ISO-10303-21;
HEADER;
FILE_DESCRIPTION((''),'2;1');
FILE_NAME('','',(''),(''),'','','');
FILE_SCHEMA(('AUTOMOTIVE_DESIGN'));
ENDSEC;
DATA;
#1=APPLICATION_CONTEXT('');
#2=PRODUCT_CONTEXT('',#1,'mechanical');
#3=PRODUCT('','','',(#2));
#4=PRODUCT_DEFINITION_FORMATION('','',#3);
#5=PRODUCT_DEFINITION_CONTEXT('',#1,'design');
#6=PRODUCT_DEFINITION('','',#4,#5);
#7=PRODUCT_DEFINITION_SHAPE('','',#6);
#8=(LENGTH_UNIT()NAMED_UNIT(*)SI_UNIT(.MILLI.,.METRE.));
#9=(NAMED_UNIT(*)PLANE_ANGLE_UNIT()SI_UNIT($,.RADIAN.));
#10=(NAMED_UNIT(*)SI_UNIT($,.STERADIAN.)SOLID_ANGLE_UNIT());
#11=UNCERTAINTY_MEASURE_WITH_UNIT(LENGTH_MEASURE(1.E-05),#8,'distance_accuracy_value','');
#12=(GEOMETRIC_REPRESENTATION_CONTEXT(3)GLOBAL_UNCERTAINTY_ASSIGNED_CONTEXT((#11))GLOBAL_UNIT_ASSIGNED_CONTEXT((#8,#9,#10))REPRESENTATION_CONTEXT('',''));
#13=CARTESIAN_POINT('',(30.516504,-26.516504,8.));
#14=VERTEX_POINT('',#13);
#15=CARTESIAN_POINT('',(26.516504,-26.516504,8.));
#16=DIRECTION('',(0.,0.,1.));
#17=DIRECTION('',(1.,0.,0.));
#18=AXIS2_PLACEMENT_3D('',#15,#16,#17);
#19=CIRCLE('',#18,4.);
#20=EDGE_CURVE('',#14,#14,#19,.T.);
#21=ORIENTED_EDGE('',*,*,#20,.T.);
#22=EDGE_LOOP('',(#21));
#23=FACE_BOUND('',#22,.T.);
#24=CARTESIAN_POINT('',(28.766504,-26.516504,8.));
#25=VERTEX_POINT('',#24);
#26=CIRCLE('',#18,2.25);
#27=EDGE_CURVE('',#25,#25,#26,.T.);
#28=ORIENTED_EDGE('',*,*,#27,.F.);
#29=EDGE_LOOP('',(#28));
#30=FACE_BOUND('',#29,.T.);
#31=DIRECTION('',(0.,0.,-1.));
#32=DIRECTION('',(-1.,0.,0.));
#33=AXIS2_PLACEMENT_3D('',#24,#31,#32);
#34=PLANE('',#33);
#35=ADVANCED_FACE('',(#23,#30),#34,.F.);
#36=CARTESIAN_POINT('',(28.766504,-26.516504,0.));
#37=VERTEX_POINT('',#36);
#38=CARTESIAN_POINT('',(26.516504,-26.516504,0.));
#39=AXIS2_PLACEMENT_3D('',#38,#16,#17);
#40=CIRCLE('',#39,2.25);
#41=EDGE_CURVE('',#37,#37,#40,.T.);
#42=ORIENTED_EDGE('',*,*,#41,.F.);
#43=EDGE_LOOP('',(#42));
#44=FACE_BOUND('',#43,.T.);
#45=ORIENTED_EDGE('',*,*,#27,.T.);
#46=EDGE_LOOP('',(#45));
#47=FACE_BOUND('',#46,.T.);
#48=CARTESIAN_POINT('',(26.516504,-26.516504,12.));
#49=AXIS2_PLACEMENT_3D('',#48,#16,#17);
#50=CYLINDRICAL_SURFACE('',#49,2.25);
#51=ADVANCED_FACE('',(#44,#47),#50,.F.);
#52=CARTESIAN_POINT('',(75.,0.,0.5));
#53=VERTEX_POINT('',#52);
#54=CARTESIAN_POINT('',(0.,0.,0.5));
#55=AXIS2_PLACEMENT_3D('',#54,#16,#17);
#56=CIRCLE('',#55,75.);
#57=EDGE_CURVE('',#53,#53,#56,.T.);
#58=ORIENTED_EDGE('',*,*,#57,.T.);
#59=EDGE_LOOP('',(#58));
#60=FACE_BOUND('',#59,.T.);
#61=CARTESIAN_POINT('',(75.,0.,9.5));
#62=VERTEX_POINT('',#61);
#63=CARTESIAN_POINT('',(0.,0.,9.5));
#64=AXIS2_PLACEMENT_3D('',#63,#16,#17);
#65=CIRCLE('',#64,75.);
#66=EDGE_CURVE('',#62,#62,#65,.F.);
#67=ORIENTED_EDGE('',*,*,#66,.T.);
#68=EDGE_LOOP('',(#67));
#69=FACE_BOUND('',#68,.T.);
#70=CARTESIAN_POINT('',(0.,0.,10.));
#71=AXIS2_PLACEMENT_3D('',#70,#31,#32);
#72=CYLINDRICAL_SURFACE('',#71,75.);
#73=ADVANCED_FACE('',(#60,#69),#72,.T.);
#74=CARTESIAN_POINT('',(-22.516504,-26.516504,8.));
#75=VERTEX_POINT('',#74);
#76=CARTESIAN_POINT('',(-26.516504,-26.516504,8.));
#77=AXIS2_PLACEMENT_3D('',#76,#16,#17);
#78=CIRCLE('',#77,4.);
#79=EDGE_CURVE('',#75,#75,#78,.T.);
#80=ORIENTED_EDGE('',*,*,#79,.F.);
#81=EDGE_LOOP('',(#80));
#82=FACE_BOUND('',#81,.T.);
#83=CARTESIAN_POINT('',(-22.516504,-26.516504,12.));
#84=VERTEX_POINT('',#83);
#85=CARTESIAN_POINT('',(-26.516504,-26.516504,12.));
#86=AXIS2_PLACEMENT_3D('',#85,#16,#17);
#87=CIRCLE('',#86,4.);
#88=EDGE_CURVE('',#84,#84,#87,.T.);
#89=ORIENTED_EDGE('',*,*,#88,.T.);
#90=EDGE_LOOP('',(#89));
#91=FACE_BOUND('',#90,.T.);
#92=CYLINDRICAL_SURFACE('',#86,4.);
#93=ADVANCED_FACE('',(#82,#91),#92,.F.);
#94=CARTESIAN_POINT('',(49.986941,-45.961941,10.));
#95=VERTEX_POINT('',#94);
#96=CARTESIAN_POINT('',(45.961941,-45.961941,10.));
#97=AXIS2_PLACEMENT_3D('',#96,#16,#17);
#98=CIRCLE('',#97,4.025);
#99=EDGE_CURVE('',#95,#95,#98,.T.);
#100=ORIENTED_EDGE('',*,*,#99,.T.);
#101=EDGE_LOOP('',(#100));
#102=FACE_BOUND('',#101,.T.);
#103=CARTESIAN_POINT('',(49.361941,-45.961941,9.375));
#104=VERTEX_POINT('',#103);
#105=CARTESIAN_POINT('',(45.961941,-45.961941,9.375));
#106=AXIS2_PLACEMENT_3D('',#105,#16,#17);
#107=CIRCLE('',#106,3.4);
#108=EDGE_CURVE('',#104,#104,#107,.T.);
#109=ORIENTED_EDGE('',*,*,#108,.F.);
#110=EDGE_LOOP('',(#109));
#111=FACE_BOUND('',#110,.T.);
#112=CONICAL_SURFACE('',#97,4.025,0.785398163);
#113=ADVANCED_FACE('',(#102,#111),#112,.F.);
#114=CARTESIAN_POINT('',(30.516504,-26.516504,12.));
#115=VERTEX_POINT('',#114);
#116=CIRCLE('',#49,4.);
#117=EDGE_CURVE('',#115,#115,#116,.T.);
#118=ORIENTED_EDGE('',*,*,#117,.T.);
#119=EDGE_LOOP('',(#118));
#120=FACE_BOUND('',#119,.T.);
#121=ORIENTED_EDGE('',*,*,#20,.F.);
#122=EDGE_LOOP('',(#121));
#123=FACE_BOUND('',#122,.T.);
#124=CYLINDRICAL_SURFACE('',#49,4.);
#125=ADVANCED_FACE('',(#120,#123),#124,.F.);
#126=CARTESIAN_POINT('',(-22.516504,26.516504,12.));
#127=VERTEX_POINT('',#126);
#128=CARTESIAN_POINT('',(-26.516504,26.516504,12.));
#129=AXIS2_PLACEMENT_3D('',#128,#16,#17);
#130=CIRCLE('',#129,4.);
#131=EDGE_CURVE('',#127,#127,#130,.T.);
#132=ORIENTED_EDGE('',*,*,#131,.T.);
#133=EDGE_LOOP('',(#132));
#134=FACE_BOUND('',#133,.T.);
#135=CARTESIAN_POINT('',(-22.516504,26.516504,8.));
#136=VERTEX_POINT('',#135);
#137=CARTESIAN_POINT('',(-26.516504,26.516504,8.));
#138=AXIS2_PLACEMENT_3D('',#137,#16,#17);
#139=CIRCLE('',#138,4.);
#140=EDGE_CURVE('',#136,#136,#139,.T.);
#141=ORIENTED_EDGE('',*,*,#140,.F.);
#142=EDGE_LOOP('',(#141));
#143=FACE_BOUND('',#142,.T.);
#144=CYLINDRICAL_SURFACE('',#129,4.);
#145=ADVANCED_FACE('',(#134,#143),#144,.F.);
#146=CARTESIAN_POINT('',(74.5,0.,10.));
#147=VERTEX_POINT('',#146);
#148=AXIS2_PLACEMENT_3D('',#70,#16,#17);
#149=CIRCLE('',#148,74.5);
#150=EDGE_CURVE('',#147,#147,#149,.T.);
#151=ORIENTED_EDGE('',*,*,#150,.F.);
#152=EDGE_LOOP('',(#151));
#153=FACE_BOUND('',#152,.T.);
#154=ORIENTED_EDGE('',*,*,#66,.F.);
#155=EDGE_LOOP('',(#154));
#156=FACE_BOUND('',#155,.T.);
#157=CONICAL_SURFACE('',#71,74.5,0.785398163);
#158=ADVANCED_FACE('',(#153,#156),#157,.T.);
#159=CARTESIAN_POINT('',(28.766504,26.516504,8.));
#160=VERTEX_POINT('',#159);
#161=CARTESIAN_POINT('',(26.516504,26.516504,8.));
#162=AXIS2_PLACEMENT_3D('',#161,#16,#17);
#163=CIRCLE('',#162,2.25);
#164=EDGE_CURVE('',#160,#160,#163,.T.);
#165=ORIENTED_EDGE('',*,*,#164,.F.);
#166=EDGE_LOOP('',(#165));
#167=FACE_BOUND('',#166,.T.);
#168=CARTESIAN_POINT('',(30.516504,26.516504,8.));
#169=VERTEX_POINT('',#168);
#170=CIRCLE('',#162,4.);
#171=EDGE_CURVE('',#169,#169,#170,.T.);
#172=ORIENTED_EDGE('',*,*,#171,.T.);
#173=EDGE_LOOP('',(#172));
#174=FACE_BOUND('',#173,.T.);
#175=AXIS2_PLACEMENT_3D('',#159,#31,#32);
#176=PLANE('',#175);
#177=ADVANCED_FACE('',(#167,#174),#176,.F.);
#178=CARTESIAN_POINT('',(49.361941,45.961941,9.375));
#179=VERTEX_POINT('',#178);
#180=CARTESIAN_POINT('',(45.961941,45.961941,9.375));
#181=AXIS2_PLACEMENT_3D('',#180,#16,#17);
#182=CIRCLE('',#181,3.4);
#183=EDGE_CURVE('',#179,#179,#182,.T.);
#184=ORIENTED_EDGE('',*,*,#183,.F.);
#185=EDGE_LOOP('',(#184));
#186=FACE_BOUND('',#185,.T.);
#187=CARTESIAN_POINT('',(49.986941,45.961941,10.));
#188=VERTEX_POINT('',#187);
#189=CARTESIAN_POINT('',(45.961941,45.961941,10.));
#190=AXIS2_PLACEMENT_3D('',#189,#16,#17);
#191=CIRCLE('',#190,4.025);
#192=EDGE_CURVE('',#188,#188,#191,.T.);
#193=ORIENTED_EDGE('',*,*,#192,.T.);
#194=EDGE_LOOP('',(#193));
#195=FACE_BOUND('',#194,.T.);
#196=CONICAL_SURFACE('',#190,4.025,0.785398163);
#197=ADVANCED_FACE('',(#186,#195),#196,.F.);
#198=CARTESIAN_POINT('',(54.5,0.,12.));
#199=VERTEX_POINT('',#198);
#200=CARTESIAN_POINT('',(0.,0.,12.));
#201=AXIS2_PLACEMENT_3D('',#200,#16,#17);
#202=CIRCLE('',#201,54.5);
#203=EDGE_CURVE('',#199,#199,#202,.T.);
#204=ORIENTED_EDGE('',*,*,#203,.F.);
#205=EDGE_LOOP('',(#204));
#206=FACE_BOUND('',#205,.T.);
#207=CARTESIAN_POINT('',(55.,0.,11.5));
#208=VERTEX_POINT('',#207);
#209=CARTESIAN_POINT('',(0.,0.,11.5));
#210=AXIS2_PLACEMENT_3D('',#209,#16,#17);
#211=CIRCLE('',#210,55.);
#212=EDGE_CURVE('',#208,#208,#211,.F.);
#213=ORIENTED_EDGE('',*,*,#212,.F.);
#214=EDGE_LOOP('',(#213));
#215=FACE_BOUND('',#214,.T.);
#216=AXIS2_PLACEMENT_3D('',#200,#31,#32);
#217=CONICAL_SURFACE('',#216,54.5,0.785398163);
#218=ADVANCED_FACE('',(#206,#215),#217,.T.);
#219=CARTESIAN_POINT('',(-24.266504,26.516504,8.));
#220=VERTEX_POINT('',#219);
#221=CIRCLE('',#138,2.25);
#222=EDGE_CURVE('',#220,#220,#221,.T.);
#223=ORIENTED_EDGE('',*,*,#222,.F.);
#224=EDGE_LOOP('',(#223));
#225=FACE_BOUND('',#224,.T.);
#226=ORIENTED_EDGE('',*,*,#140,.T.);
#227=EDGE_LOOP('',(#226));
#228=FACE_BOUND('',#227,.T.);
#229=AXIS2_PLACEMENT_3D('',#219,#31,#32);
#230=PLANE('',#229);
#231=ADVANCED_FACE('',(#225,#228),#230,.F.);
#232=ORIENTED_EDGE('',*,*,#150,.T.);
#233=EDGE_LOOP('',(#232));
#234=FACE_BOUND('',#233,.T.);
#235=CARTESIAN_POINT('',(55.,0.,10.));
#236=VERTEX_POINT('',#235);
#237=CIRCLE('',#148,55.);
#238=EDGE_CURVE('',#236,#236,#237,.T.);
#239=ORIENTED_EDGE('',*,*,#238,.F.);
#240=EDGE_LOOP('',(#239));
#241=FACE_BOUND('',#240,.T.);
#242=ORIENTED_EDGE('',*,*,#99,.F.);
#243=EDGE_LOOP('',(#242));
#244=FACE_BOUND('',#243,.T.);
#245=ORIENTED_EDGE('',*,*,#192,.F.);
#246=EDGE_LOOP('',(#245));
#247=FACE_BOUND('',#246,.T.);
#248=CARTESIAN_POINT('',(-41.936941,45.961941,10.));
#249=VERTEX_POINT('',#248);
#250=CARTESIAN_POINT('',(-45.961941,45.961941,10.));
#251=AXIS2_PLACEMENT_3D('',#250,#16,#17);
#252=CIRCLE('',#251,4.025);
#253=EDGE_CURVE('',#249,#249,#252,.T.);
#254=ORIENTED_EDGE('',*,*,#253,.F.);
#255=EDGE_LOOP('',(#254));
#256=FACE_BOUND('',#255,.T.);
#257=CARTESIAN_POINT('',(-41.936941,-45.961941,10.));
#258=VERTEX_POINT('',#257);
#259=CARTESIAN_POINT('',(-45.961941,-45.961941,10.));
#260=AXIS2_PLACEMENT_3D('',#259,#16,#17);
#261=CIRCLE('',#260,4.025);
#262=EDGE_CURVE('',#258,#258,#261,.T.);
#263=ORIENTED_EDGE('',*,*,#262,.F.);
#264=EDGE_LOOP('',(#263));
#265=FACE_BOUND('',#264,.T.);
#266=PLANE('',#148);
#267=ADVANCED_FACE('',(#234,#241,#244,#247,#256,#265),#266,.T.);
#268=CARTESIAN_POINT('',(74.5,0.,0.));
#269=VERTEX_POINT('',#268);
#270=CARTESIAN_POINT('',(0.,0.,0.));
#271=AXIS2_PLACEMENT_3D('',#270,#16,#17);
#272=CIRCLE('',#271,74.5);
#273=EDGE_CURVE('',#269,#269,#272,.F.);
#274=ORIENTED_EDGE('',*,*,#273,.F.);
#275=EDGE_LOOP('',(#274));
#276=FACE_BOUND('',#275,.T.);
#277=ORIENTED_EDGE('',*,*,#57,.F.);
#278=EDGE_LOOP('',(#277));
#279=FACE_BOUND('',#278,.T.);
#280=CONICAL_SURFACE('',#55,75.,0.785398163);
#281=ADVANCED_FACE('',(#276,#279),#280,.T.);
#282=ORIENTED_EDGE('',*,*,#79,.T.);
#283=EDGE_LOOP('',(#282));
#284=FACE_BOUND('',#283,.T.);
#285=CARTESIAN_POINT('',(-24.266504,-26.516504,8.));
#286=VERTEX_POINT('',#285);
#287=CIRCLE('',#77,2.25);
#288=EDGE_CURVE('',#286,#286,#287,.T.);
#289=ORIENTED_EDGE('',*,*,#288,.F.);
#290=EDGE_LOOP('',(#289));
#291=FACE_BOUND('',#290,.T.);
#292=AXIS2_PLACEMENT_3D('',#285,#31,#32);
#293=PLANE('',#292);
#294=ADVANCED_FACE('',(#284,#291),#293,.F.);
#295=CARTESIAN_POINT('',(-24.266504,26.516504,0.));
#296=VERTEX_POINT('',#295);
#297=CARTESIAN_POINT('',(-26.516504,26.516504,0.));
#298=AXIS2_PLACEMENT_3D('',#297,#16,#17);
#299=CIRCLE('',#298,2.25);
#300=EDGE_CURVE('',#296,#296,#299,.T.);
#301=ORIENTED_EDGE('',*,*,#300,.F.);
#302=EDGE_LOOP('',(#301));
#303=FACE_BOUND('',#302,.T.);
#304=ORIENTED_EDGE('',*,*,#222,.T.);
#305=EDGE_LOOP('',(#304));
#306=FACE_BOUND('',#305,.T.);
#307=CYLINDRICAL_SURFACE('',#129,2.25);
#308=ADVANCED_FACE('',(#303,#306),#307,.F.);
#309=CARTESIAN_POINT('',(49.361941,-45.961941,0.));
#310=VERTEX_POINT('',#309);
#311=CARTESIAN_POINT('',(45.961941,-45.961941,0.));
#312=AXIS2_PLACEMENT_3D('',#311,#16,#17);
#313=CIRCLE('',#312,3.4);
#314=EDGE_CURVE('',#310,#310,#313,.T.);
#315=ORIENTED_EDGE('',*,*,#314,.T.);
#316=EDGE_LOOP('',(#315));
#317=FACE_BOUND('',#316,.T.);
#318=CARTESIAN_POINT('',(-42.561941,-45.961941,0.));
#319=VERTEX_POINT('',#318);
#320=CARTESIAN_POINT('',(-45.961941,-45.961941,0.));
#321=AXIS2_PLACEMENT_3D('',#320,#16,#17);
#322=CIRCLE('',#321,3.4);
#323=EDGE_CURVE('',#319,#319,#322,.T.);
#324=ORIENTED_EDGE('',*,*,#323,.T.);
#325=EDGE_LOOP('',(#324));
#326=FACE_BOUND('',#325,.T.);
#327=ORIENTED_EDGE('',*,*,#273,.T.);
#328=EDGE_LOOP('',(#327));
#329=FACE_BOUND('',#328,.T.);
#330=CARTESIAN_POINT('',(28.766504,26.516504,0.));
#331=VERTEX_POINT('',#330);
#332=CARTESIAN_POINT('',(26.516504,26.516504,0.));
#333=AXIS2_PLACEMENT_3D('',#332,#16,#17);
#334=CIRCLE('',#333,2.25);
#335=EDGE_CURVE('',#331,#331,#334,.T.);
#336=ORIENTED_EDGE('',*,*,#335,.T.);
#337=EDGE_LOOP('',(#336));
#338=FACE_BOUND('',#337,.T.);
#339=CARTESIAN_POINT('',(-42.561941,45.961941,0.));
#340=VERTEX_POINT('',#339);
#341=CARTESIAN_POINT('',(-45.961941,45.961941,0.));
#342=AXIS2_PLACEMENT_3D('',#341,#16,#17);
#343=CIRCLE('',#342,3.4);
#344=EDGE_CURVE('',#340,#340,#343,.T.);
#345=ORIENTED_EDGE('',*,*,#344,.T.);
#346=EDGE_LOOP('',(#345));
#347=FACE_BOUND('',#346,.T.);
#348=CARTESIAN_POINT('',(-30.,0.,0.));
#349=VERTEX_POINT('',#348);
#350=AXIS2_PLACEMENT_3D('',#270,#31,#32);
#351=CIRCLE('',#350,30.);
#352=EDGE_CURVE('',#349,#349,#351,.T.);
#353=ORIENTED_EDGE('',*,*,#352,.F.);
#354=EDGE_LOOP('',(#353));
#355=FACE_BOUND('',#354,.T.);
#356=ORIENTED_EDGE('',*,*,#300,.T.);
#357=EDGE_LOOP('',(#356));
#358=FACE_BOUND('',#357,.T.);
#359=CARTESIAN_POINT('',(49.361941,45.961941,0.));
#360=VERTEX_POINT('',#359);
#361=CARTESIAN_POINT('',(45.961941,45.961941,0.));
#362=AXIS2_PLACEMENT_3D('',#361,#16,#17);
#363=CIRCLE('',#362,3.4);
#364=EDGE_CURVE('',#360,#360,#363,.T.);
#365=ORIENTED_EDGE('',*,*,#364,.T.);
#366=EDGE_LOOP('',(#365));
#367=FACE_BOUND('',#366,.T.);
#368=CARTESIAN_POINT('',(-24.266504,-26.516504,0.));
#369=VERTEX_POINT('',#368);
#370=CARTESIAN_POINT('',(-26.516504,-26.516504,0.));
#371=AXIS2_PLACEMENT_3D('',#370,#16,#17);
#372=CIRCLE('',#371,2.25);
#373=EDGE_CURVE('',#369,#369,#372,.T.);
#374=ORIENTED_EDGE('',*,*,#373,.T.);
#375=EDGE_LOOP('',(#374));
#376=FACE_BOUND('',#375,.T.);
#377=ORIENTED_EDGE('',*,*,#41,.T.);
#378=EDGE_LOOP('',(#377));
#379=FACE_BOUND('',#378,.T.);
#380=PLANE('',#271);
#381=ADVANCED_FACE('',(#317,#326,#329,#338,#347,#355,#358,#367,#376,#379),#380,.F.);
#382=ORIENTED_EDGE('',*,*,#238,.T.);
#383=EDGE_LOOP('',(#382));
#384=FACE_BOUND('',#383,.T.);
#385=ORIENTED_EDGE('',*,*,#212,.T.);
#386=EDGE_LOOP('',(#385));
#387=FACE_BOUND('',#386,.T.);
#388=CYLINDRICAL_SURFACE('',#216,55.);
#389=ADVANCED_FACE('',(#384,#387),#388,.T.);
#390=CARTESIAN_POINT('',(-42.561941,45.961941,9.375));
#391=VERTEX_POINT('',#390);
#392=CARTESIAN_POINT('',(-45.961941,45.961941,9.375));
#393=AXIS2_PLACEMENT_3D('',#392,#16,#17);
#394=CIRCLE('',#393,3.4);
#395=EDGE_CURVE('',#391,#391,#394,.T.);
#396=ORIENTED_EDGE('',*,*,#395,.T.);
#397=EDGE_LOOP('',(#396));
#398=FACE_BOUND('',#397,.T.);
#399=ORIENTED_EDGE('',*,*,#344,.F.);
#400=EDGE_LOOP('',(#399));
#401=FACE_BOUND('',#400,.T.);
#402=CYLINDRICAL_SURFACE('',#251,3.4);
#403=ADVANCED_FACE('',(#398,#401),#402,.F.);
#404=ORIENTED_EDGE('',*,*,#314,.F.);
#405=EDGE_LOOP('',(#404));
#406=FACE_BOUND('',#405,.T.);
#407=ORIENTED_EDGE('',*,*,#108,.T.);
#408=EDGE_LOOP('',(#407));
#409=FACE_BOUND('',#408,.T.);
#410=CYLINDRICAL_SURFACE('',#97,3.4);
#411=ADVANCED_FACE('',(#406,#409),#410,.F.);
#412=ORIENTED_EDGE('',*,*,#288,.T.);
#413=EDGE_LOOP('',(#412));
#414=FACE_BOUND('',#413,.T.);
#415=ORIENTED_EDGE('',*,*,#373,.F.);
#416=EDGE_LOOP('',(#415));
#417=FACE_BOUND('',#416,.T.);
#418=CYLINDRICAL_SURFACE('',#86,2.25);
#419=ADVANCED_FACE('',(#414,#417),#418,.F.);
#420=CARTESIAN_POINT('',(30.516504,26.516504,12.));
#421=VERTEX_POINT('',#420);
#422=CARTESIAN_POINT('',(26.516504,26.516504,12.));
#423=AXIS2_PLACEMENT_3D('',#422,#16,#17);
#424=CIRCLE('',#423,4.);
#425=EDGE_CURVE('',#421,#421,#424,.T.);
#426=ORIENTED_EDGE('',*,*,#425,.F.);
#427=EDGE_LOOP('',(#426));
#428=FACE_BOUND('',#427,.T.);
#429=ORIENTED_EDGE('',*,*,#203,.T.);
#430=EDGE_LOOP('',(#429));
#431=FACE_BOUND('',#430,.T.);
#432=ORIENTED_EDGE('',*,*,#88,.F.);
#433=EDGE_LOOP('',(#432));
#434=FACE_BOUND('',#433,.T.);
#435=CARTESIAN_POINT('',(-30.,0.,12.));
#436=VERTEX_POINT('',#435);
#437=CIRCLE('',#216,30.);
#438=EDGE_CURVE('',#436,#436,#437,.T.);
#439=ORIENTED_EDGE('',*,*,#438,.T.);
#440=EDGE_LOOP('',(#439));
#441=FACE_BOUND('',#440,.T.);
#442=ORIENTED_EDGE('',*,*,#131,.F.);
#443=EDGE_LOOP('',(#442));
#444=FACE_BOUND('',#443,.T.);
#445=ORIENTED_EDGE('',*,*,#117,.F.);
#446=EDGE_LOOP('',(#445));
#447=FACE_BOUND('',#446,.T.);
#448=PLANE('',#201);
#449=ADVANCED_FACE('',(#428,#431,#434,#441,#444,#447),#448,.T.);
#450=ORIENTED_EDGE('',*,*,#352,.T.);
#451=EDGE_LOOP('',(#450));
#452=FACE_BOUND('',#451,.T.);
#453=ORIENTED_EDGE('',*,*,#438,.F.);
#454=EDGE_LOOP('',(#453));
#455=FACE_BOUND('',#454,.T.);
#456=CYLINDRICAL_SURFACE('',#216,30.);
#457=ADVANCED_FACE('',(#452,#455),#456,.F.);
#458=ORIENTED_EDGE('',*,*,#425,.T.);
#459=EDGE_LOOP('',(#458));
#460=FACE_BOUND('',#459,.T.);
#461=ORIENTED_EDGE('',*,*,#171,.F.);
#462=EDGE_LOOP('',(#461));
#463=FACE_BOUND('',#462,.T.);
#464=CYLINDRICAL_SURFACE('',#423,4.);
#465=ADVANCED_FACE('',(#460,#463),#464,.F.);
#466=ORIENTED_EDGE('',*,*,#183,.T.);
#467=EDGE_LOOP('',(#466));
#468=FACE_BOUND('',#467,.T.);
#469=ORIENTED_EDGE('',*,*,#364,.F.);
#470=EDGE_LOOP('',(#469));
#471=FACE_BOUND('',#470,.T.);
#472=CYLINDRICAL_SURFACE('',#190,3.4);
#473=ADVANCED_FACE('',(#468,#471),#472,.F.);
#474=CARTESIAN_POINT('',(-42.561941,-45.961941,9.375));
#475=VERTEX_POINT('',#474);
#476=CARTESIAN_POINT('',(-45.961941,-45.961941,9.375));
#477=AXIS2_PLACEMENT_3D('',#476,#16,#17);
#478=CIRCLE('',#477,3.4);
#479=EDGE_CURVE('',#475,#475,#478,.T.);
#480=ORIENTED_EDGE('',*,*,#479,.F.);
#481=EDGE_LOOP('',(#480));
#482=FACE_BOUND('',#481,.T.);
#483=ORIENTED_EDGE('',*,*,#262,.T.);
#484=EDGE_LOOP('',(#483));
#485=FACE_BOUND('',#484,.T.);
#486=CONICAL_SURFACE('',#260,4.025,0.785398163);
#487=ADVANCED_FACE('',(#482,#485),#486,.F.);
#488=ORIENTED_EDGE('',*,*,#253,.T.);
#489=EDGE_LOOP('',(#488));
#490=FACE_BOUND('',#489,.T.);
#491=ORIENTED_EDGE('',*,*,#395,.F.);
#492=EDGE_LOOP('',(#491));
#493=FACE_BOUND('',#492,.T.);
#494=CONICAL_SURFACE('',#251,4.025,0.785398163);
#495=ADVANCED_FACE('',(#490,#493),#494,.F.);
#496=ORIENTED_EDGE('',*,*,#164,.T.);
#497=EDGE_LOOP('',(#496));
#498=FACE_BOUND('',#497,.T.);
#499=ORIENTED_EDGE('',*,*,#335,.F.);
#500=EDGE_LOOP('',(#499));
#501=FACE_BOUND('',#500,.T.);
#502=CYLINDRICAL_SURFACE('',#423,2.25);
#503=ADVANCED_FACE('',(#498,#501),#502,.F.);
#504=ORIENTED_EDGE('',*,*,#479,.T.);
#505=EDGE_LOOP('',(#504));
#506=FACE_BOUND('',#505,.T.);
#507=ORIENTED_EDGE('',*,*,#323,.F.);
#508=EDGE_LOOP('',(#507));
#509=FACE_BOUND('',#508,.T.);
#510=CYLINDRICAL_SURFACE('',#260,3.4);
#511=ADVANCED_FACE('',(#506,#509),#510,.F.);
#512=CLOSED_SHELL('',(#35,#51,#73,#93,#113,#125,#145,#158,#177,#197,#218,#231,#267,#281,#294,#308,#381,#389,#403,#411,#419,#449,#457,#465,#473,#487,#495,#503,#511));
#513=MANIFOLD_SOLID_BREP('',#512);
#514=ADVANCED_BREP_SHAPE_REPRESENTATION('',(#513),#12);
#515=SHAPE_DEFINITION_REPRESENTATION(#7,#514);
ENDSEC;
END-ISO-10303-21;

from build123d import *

# Parameters (mm, degrees)
SKETCH1_R                        = 75
BOSS_EXTRUDE1_DEPTH              = 10
SKETCH2_R                        = 55
BOSS_EXTRUDE2_DEPTH              = 2
M8X1_25_TAPPED_HOLE1_D           = 6.8
M8X1_25_TAPPED_HOLE1_CSINK_D     = 8.05
M8X1_25_TAPPED_HOLE1_CSINK_ANGLE = 90
CHAMFER1_SIZE                    = 0.5
SKETCH5_R                        = 30
CUT_EXTRUDE1_DEPTH               = 107.742681248
CBORE_FOR_M4_SHCS1_D             = 4.5
CBORE_FOR_M4_SHCS1_CBORE_D       = 8
CBORE_FOR_M4_SHCS1_CBORE_DEPTH   = 4


with BuildPart() as part:
    # Sketch1 → Boss-Extrude1 (new body)
    with BuildSketch(Plane.XY):
        Circle(SKETCH1_R)
    extrude(amount=BOSS_EXTRUDE1_DEPTH)

    # Sketch2 → Boss-Extrude2 (add)
    with BuildSketch(Plane.XY.offset(10)):
        Circle(SKETCH2_R)
    extrude(amount=BOSS_EXTRUDE2_DEPTH)

    # M8x1.25 Tapped Hole1 (through all)
    with Locations(Plane(origin=(-45.961940777, 45.961940777, 10), x_dir=(1, 0, 0), z_dir=(0, 0, 1))):
        with Locations((0, 0), (91.923881554, 0), (0, -91.923881554), (91.923881554, -91.923881554)):
            CounterSinkHole(M8X1_25_TAPPED_HOLE1_D / 2, M8X1_25_TAPPED_HOLE1_CSINK_D / 2, counter_sink_angle=M8X1_25_TAPPED_HOLE1_CSINK_ANGLE)

    # Chamfer1
    chamfer1_edges = [part.edges().sort_by_distance(p)[0] for p in [
        (-75, 0, 0),
        (-75, 0, 10),
        (-55, 0, 12),
    ]]
    chamfer(chamfer1_edges, length=CHAMFER1_SIZE)

    # Sketch5 → Cut-Extrude1 (cut, through all)
    with BuildSketch(Plane(origin=(0, 0, 0), x_dir=(-1, 0, 0), z_dir=(0, 0, -1))):
        Circle(SKETCH5_R)
    extrude(amount=-CUT_EXTRUDE1_DEPTH, mode=Mode.SUBTRACT)

    # CBORE for M4 SHCS1 (through all)
    with Locations(Plane(origin=(-26.516504294, 26.516504294, 12), x_dir=(1, 0, 0), z_dir=(0, 0, 1))):
        with Locations((0, 0), (53.033008588, 0), (0, -53.033008588), (53.033008588, -53.033008588)):
            CounterBoreHole(CBORE_FOR_M4_SHCS1_D / 2, CBORE_FOR_M4_SHCS1_CBORE_D / 2, CBORE_FOR_M4_SHCS1_CBORE_DEPTH)


solid = part.part
